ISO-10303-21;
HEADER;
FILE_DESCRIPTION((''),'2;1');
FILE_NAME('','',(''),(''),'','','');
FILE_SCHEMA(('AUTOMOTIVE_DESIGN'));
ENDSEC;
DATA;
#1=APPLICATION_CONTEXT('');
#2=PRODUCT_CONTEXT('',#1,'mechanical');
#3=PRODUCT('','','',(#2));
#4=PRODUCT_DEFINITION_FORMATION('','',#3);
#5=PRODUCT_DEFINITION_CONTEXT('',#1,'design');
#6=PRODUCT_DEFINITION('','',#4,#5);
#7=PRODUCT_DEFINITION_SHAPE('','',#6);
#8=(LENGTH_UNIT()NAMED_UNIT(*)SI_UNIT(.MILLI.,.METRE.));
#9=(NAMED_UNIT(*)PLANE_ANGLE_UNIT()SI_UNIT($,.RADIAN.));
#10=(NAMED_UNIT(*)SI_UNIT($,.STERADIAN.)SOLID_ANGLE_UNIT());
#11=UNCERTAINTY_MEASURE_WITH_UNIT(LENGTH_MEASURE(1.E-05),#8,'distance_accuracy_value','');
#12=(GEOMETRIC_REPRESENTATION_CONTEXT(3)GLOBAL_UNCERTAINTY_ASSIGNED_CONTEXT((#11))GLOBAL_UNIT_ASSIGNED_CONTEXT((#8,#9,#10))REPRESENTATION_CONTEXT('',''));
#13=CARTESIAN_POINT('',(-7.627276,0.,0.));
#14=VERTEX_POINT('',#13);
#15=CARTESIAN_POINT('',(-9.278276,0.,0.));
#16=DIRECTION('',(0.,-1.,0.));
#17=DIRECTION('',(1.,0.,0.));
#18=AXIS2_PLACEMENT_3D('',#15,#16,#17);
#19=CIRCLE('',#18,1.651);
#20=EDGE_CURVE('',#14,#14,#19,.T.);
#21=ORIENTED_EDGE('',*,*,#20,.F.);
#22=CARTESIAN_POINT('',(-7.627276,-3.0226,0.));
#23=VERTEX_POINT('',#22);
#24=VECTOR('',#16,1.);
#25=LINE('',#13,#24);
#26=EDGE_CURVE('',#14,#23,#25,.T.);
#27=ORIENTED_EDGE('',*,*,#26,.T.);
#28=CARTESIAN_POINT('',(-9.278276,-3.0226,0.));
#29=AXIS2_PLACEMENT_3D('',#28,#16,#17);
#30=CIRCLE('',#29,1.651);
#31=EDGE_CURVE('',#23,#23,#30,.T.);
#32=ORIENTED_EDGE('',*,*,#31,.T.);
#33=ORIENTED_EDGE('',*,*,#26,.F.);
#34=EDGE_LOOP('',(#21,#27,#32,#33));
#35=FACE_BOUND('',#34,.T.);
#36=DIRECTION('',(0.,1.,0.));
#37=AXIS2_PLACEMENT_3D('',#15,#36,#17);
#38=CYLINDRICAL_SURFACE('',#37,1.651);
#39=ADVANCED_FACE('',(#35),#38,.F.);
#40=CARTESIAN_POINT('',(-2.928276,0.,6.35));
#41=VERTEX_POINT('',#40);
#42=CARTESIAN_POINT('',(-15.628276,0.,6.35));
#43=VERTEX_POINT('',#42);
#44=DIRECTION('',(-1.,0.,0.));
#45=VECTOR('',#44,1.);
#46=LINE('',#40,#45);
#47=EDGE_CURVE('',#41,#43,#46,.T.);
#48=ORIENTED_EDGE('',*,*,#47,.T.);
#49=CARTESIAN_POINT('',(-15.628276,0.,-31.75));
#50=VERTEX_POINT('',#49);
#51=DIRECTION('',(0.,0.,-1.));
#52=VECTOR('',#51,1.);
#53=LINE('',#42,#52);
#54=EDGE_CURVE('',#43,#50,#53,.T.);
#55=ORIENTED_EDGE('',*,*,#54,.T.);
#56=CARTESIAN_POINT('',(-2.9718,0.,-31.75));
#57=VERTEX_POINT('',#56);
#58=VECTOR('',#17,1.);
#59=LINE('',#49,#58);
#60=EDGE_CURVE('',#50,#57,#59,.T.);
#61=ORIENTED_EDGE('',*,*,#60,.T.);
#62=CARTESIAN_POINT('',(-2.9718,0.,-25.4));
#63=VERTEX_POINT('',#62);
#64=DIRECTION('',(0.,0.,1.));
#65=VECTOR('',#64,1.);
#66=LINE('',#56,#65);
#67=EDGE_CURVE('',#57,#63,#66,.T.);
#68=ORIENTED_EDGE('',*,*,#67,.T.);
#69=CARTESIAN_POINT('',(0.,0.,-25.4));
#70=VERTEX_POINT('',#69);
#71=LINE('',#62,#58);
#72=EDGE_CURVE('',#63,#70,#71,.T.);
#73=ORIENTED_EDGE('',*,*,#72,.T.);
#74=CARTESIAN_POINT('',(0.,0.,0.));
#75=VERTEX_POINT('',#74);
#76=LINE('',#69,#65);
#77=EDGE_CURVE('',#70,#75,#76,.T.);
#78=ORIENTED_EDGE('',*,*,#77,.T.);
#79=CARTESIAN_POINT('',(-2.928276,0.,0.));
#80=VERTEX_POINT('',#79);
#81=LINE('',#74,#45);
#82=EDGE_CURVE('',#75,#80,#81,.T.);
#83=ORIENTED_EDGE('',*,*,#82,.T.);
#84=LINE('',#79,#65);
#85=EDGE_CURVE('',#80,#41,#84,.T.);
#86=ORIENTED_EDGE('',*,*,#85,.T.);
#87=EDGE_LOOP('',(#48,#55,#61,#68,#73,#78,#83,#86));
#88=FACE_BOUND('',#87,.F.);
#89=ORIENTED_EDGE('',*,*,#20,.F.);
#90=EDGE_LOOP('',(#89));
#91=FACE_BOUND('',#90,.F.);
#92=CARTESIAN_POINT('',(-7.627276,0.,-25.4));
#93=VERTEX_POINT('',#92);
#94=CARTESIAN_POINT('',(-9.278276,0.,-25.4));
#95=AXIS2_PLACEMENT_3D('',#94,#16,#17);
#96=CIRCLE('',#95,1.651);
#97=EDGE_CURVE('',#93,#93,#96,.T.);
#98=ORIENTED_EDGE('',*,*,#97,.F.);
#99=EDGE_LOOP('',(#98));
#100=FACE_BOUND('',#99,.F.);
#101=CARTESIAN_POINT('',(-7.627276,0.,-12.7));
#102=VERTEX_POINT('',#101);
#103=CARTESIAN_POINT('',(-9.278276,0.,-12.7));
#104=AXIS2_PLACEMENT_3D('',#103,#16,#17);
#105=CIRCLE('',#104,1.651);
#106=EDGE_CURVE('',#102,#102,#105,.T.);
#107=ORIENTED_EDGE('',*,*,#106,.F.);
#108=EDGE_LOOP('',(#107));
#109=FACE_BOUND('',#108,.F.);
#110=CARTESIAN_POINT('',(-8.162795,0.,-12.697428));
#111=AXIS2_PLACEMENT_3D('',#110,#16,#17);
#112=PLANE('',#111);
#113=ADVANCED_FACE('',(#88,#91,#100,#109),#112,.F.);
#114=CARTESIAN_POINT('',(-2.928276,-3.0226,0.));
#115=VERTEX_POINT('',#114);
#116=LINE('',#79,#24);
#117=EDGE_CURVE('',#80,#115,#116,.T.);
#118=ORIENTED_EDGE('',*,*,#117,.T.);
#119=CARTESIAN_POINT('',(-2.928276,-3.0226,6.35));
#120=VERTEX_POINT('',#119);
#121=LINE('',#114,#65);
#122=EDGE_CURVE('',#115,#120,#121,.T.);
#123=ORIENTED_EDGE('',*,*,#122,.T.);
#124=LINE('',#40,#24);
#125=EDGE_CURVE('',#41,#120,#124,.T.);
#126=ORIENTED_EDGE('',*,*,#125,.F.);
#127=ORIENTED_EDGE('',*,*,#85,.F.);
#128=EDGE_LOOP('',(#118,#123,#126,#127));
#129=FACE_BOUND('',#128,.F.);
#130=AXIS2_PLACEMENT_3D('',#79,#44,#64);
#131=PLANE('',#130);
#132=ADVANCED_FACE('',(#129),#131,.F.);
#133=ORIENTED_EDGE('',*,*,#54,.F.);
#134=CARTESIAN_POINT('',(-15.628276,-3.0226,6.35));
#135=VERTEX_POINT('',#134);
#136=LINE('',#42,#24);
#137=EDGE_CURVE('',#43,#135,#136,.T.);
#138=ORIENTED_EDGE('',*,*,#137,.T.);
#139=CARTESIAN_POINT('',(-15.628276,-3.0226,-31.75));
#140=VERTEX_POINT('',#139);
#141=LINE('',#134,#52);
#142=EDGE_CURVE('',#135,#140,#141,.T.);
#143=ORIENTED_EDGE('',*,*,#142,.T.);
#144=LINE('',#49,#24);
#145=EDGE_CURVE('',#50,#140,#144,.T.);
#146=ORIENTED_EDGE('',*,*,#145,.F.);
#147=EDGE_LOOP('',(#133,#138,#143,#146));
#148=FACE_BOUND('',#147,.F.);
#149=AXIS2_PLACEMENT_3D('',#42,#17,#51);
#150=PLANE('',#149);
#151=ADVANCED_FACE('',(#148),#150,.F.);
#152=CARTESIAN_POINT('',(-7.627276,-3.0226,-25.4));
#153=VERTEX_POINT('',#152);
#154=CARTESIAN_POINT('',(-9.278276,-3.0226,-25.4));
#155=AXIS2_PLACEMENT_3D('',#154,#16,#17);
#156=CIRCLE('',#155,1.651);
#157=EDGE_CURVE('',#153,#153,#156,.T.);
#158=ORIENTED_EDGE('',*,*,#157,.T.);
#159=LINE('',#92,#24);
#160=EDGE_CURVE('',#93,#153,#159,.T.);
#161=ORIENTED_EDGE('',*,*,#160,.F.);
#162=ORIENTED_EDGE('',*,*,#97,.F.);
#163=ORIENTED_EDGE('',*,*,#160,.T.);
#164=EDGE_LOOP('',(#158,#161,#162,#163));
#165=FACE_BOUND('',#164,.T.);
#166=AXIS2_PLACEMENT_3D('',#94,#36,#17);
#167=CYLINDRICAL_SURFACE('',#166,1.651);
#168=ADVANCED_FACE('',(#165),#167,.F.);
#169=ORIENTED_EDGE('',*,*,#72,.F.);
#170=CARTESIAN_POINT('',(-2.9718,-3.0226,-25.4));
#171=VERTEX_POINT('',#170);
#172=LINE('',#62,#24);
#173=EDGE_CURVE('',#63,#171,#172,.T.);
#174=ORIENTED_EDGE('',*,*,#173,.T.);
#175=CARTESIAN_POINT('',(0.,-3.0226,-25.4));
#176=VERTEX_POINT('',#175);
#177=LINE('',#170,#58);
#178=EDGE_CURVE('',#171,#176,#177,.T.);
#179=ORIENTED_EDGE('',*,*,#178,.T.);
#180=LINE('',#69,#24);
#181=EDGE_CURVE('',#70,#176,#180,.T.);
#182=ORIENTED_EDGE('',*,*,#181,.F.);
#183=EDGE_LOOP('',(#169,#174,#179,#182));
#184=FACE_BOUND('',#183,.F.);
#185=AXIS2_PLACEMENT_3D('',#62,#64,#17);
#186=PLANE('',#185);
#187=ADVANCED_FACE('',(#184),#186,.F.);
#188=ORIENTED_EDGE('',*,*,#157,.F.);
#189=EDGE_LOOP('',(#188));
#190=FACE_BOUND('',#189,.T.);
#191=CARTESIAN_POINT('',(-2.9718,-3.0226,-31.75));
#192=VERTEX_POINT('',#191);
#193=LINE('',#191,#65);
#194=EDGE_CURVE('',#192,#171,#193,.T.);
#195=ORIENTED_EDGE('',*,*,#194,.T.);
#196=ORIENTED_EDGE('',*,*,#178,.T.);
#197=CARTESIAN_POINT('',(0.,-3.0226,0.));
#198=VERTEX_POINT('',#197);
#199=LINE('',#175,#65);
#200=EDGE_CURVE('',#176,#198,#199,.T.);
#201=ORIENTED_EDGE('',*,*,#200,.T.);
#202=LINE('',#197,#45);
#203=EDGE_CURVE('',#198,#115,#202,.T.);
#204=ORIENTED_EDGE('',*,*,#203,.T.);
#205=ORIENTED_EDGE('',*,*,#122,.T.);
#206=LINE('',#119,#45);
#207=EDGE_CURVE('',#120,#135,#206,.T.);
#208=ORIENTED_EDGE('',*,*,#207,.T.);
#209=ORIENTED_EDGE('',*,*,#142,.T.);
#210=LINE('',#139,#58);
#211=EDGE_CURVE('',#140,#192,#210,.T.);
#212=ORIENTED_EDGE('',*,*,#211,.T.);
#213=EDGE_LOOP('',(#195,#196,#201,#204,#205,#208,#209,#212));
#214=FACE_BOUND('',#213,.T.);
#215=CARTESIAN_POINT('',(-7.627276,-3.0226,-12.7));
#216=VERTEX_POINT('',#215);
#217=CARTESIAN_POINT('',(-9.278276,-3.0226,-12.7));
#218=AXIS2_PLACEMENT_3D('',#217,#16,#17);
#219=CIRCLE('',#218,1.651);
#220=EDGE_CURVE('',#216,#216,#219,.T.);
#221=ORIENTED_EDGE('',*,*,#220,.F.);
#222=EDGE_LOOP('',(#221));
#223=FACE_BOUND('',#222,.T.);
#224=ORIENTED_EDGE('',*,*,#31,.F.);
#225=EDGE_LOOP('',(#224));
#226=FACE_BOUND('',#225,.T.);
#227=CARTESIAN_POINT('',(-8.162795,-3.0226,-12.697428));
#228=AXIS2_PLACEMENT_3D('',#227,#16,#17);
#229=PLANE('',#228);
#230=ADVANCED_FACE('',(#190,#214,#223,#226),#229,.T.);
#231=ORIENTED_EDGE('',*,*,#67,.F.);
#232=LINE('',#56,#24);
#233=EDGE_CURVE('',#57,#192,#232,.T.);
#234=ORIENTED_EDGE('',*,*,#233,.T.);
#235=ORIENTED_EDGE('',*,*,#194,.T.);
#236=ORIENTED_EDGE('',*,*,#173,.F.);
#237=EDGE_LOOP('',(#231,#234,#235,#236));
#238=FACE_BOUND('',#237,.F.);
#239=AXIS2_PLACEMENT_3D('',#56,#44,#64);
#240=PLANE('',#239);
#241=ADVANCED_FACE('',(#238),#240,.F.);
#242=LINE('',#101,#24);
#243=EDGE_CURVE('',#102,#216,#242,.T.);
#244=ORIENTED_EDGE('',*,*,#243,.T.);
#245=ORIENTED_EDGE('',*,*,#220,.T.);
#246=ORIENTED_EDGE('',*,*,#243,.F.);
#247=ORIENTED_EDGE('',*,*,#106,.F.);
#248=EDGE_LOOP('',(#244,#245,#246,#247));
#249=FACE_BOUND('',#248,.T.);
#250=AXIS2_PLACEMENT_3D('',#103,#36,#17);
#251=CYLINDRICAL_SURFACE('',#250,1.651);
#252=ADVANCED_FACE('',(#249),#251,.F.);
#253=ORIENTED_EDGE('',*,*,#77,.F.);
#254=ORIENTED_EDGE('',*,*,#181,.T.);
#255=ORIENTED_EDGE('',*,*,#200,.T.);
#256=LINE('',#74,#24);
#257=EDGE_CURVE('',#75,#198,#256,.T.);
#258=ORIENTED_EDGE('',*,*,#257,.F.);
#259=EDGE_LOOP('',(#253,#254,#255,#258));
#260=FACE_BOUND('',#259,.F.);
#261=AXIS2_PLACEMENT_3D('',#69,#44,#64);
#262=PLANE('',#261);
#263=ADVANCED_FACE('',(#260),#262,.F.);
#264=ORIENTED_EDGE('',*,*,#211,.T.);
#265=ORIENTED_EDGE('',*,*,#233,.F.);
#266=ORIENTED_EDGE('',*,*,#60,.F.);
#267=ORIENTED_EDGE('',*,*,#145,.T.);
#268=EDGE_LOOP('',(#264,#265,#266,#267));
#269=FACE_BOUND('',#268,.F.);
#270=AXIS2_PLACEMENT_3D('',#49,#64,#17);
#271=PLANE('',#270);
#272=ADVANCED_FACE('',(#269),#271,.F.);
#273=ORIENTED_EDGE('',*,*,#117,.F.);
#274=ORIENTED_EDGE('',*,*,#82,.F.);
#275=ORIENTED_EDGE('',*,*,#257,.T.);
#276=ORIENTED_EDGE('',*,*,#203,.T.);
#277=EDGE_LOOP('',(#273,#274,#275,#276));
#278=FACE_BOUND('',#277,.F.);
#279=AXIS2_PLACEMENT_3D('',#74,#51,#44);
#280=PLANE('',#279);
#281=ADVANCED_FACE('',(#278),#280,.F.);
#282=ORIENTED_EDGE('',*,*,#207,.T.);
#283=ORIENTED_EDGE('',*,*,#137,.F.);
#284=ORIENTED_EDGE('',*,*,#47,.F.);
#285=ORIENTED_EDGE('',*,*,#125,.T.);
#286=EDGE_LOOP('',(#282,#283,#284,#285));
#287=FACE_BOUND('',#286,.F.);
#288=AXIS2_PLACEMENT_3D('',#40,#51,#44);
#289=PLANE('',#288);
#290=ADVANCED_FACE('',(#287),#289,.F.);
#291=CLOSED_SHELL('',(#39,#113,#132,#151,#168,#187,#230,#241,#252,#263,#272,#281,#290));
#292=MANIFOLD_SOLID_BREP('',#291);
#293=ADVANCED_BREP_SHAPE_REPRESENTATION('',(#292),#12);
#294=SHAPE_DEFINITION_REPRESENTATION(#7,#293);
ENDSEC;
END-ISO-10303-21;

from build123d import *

# Parameters (mm, degrees)
F0_R     = 1.651
F1_DEPTH = 3.0226


with BuildPart() as f1:
    # F0 (on Front) → F1 (new body)
    with BuildSketch(Plane.XZ):
        Polygon((0, -25.4), (0, 0), (-2.928276, 0), (-2.928276, 6.35), (-15.628276, 6.35), (-15.628276, -31.75), (-2.9718, -31.75), (-2.9718, -25.4), align=None)
        with Locations((-9.278276, -25.4)):
            Circle(F0_R, mode=Mode.SUBTRACT)
        with Locations((-9.278276, -12.7)):
            Circle(F0_R, mode=Mode.SUBTRACT)
        with Locations((-9.278276, 0)):
            Circle(F0_R, mode=Mode.SUBTRACT)
    extrude(amount=F1_DEPTH)


solid = f1.part
